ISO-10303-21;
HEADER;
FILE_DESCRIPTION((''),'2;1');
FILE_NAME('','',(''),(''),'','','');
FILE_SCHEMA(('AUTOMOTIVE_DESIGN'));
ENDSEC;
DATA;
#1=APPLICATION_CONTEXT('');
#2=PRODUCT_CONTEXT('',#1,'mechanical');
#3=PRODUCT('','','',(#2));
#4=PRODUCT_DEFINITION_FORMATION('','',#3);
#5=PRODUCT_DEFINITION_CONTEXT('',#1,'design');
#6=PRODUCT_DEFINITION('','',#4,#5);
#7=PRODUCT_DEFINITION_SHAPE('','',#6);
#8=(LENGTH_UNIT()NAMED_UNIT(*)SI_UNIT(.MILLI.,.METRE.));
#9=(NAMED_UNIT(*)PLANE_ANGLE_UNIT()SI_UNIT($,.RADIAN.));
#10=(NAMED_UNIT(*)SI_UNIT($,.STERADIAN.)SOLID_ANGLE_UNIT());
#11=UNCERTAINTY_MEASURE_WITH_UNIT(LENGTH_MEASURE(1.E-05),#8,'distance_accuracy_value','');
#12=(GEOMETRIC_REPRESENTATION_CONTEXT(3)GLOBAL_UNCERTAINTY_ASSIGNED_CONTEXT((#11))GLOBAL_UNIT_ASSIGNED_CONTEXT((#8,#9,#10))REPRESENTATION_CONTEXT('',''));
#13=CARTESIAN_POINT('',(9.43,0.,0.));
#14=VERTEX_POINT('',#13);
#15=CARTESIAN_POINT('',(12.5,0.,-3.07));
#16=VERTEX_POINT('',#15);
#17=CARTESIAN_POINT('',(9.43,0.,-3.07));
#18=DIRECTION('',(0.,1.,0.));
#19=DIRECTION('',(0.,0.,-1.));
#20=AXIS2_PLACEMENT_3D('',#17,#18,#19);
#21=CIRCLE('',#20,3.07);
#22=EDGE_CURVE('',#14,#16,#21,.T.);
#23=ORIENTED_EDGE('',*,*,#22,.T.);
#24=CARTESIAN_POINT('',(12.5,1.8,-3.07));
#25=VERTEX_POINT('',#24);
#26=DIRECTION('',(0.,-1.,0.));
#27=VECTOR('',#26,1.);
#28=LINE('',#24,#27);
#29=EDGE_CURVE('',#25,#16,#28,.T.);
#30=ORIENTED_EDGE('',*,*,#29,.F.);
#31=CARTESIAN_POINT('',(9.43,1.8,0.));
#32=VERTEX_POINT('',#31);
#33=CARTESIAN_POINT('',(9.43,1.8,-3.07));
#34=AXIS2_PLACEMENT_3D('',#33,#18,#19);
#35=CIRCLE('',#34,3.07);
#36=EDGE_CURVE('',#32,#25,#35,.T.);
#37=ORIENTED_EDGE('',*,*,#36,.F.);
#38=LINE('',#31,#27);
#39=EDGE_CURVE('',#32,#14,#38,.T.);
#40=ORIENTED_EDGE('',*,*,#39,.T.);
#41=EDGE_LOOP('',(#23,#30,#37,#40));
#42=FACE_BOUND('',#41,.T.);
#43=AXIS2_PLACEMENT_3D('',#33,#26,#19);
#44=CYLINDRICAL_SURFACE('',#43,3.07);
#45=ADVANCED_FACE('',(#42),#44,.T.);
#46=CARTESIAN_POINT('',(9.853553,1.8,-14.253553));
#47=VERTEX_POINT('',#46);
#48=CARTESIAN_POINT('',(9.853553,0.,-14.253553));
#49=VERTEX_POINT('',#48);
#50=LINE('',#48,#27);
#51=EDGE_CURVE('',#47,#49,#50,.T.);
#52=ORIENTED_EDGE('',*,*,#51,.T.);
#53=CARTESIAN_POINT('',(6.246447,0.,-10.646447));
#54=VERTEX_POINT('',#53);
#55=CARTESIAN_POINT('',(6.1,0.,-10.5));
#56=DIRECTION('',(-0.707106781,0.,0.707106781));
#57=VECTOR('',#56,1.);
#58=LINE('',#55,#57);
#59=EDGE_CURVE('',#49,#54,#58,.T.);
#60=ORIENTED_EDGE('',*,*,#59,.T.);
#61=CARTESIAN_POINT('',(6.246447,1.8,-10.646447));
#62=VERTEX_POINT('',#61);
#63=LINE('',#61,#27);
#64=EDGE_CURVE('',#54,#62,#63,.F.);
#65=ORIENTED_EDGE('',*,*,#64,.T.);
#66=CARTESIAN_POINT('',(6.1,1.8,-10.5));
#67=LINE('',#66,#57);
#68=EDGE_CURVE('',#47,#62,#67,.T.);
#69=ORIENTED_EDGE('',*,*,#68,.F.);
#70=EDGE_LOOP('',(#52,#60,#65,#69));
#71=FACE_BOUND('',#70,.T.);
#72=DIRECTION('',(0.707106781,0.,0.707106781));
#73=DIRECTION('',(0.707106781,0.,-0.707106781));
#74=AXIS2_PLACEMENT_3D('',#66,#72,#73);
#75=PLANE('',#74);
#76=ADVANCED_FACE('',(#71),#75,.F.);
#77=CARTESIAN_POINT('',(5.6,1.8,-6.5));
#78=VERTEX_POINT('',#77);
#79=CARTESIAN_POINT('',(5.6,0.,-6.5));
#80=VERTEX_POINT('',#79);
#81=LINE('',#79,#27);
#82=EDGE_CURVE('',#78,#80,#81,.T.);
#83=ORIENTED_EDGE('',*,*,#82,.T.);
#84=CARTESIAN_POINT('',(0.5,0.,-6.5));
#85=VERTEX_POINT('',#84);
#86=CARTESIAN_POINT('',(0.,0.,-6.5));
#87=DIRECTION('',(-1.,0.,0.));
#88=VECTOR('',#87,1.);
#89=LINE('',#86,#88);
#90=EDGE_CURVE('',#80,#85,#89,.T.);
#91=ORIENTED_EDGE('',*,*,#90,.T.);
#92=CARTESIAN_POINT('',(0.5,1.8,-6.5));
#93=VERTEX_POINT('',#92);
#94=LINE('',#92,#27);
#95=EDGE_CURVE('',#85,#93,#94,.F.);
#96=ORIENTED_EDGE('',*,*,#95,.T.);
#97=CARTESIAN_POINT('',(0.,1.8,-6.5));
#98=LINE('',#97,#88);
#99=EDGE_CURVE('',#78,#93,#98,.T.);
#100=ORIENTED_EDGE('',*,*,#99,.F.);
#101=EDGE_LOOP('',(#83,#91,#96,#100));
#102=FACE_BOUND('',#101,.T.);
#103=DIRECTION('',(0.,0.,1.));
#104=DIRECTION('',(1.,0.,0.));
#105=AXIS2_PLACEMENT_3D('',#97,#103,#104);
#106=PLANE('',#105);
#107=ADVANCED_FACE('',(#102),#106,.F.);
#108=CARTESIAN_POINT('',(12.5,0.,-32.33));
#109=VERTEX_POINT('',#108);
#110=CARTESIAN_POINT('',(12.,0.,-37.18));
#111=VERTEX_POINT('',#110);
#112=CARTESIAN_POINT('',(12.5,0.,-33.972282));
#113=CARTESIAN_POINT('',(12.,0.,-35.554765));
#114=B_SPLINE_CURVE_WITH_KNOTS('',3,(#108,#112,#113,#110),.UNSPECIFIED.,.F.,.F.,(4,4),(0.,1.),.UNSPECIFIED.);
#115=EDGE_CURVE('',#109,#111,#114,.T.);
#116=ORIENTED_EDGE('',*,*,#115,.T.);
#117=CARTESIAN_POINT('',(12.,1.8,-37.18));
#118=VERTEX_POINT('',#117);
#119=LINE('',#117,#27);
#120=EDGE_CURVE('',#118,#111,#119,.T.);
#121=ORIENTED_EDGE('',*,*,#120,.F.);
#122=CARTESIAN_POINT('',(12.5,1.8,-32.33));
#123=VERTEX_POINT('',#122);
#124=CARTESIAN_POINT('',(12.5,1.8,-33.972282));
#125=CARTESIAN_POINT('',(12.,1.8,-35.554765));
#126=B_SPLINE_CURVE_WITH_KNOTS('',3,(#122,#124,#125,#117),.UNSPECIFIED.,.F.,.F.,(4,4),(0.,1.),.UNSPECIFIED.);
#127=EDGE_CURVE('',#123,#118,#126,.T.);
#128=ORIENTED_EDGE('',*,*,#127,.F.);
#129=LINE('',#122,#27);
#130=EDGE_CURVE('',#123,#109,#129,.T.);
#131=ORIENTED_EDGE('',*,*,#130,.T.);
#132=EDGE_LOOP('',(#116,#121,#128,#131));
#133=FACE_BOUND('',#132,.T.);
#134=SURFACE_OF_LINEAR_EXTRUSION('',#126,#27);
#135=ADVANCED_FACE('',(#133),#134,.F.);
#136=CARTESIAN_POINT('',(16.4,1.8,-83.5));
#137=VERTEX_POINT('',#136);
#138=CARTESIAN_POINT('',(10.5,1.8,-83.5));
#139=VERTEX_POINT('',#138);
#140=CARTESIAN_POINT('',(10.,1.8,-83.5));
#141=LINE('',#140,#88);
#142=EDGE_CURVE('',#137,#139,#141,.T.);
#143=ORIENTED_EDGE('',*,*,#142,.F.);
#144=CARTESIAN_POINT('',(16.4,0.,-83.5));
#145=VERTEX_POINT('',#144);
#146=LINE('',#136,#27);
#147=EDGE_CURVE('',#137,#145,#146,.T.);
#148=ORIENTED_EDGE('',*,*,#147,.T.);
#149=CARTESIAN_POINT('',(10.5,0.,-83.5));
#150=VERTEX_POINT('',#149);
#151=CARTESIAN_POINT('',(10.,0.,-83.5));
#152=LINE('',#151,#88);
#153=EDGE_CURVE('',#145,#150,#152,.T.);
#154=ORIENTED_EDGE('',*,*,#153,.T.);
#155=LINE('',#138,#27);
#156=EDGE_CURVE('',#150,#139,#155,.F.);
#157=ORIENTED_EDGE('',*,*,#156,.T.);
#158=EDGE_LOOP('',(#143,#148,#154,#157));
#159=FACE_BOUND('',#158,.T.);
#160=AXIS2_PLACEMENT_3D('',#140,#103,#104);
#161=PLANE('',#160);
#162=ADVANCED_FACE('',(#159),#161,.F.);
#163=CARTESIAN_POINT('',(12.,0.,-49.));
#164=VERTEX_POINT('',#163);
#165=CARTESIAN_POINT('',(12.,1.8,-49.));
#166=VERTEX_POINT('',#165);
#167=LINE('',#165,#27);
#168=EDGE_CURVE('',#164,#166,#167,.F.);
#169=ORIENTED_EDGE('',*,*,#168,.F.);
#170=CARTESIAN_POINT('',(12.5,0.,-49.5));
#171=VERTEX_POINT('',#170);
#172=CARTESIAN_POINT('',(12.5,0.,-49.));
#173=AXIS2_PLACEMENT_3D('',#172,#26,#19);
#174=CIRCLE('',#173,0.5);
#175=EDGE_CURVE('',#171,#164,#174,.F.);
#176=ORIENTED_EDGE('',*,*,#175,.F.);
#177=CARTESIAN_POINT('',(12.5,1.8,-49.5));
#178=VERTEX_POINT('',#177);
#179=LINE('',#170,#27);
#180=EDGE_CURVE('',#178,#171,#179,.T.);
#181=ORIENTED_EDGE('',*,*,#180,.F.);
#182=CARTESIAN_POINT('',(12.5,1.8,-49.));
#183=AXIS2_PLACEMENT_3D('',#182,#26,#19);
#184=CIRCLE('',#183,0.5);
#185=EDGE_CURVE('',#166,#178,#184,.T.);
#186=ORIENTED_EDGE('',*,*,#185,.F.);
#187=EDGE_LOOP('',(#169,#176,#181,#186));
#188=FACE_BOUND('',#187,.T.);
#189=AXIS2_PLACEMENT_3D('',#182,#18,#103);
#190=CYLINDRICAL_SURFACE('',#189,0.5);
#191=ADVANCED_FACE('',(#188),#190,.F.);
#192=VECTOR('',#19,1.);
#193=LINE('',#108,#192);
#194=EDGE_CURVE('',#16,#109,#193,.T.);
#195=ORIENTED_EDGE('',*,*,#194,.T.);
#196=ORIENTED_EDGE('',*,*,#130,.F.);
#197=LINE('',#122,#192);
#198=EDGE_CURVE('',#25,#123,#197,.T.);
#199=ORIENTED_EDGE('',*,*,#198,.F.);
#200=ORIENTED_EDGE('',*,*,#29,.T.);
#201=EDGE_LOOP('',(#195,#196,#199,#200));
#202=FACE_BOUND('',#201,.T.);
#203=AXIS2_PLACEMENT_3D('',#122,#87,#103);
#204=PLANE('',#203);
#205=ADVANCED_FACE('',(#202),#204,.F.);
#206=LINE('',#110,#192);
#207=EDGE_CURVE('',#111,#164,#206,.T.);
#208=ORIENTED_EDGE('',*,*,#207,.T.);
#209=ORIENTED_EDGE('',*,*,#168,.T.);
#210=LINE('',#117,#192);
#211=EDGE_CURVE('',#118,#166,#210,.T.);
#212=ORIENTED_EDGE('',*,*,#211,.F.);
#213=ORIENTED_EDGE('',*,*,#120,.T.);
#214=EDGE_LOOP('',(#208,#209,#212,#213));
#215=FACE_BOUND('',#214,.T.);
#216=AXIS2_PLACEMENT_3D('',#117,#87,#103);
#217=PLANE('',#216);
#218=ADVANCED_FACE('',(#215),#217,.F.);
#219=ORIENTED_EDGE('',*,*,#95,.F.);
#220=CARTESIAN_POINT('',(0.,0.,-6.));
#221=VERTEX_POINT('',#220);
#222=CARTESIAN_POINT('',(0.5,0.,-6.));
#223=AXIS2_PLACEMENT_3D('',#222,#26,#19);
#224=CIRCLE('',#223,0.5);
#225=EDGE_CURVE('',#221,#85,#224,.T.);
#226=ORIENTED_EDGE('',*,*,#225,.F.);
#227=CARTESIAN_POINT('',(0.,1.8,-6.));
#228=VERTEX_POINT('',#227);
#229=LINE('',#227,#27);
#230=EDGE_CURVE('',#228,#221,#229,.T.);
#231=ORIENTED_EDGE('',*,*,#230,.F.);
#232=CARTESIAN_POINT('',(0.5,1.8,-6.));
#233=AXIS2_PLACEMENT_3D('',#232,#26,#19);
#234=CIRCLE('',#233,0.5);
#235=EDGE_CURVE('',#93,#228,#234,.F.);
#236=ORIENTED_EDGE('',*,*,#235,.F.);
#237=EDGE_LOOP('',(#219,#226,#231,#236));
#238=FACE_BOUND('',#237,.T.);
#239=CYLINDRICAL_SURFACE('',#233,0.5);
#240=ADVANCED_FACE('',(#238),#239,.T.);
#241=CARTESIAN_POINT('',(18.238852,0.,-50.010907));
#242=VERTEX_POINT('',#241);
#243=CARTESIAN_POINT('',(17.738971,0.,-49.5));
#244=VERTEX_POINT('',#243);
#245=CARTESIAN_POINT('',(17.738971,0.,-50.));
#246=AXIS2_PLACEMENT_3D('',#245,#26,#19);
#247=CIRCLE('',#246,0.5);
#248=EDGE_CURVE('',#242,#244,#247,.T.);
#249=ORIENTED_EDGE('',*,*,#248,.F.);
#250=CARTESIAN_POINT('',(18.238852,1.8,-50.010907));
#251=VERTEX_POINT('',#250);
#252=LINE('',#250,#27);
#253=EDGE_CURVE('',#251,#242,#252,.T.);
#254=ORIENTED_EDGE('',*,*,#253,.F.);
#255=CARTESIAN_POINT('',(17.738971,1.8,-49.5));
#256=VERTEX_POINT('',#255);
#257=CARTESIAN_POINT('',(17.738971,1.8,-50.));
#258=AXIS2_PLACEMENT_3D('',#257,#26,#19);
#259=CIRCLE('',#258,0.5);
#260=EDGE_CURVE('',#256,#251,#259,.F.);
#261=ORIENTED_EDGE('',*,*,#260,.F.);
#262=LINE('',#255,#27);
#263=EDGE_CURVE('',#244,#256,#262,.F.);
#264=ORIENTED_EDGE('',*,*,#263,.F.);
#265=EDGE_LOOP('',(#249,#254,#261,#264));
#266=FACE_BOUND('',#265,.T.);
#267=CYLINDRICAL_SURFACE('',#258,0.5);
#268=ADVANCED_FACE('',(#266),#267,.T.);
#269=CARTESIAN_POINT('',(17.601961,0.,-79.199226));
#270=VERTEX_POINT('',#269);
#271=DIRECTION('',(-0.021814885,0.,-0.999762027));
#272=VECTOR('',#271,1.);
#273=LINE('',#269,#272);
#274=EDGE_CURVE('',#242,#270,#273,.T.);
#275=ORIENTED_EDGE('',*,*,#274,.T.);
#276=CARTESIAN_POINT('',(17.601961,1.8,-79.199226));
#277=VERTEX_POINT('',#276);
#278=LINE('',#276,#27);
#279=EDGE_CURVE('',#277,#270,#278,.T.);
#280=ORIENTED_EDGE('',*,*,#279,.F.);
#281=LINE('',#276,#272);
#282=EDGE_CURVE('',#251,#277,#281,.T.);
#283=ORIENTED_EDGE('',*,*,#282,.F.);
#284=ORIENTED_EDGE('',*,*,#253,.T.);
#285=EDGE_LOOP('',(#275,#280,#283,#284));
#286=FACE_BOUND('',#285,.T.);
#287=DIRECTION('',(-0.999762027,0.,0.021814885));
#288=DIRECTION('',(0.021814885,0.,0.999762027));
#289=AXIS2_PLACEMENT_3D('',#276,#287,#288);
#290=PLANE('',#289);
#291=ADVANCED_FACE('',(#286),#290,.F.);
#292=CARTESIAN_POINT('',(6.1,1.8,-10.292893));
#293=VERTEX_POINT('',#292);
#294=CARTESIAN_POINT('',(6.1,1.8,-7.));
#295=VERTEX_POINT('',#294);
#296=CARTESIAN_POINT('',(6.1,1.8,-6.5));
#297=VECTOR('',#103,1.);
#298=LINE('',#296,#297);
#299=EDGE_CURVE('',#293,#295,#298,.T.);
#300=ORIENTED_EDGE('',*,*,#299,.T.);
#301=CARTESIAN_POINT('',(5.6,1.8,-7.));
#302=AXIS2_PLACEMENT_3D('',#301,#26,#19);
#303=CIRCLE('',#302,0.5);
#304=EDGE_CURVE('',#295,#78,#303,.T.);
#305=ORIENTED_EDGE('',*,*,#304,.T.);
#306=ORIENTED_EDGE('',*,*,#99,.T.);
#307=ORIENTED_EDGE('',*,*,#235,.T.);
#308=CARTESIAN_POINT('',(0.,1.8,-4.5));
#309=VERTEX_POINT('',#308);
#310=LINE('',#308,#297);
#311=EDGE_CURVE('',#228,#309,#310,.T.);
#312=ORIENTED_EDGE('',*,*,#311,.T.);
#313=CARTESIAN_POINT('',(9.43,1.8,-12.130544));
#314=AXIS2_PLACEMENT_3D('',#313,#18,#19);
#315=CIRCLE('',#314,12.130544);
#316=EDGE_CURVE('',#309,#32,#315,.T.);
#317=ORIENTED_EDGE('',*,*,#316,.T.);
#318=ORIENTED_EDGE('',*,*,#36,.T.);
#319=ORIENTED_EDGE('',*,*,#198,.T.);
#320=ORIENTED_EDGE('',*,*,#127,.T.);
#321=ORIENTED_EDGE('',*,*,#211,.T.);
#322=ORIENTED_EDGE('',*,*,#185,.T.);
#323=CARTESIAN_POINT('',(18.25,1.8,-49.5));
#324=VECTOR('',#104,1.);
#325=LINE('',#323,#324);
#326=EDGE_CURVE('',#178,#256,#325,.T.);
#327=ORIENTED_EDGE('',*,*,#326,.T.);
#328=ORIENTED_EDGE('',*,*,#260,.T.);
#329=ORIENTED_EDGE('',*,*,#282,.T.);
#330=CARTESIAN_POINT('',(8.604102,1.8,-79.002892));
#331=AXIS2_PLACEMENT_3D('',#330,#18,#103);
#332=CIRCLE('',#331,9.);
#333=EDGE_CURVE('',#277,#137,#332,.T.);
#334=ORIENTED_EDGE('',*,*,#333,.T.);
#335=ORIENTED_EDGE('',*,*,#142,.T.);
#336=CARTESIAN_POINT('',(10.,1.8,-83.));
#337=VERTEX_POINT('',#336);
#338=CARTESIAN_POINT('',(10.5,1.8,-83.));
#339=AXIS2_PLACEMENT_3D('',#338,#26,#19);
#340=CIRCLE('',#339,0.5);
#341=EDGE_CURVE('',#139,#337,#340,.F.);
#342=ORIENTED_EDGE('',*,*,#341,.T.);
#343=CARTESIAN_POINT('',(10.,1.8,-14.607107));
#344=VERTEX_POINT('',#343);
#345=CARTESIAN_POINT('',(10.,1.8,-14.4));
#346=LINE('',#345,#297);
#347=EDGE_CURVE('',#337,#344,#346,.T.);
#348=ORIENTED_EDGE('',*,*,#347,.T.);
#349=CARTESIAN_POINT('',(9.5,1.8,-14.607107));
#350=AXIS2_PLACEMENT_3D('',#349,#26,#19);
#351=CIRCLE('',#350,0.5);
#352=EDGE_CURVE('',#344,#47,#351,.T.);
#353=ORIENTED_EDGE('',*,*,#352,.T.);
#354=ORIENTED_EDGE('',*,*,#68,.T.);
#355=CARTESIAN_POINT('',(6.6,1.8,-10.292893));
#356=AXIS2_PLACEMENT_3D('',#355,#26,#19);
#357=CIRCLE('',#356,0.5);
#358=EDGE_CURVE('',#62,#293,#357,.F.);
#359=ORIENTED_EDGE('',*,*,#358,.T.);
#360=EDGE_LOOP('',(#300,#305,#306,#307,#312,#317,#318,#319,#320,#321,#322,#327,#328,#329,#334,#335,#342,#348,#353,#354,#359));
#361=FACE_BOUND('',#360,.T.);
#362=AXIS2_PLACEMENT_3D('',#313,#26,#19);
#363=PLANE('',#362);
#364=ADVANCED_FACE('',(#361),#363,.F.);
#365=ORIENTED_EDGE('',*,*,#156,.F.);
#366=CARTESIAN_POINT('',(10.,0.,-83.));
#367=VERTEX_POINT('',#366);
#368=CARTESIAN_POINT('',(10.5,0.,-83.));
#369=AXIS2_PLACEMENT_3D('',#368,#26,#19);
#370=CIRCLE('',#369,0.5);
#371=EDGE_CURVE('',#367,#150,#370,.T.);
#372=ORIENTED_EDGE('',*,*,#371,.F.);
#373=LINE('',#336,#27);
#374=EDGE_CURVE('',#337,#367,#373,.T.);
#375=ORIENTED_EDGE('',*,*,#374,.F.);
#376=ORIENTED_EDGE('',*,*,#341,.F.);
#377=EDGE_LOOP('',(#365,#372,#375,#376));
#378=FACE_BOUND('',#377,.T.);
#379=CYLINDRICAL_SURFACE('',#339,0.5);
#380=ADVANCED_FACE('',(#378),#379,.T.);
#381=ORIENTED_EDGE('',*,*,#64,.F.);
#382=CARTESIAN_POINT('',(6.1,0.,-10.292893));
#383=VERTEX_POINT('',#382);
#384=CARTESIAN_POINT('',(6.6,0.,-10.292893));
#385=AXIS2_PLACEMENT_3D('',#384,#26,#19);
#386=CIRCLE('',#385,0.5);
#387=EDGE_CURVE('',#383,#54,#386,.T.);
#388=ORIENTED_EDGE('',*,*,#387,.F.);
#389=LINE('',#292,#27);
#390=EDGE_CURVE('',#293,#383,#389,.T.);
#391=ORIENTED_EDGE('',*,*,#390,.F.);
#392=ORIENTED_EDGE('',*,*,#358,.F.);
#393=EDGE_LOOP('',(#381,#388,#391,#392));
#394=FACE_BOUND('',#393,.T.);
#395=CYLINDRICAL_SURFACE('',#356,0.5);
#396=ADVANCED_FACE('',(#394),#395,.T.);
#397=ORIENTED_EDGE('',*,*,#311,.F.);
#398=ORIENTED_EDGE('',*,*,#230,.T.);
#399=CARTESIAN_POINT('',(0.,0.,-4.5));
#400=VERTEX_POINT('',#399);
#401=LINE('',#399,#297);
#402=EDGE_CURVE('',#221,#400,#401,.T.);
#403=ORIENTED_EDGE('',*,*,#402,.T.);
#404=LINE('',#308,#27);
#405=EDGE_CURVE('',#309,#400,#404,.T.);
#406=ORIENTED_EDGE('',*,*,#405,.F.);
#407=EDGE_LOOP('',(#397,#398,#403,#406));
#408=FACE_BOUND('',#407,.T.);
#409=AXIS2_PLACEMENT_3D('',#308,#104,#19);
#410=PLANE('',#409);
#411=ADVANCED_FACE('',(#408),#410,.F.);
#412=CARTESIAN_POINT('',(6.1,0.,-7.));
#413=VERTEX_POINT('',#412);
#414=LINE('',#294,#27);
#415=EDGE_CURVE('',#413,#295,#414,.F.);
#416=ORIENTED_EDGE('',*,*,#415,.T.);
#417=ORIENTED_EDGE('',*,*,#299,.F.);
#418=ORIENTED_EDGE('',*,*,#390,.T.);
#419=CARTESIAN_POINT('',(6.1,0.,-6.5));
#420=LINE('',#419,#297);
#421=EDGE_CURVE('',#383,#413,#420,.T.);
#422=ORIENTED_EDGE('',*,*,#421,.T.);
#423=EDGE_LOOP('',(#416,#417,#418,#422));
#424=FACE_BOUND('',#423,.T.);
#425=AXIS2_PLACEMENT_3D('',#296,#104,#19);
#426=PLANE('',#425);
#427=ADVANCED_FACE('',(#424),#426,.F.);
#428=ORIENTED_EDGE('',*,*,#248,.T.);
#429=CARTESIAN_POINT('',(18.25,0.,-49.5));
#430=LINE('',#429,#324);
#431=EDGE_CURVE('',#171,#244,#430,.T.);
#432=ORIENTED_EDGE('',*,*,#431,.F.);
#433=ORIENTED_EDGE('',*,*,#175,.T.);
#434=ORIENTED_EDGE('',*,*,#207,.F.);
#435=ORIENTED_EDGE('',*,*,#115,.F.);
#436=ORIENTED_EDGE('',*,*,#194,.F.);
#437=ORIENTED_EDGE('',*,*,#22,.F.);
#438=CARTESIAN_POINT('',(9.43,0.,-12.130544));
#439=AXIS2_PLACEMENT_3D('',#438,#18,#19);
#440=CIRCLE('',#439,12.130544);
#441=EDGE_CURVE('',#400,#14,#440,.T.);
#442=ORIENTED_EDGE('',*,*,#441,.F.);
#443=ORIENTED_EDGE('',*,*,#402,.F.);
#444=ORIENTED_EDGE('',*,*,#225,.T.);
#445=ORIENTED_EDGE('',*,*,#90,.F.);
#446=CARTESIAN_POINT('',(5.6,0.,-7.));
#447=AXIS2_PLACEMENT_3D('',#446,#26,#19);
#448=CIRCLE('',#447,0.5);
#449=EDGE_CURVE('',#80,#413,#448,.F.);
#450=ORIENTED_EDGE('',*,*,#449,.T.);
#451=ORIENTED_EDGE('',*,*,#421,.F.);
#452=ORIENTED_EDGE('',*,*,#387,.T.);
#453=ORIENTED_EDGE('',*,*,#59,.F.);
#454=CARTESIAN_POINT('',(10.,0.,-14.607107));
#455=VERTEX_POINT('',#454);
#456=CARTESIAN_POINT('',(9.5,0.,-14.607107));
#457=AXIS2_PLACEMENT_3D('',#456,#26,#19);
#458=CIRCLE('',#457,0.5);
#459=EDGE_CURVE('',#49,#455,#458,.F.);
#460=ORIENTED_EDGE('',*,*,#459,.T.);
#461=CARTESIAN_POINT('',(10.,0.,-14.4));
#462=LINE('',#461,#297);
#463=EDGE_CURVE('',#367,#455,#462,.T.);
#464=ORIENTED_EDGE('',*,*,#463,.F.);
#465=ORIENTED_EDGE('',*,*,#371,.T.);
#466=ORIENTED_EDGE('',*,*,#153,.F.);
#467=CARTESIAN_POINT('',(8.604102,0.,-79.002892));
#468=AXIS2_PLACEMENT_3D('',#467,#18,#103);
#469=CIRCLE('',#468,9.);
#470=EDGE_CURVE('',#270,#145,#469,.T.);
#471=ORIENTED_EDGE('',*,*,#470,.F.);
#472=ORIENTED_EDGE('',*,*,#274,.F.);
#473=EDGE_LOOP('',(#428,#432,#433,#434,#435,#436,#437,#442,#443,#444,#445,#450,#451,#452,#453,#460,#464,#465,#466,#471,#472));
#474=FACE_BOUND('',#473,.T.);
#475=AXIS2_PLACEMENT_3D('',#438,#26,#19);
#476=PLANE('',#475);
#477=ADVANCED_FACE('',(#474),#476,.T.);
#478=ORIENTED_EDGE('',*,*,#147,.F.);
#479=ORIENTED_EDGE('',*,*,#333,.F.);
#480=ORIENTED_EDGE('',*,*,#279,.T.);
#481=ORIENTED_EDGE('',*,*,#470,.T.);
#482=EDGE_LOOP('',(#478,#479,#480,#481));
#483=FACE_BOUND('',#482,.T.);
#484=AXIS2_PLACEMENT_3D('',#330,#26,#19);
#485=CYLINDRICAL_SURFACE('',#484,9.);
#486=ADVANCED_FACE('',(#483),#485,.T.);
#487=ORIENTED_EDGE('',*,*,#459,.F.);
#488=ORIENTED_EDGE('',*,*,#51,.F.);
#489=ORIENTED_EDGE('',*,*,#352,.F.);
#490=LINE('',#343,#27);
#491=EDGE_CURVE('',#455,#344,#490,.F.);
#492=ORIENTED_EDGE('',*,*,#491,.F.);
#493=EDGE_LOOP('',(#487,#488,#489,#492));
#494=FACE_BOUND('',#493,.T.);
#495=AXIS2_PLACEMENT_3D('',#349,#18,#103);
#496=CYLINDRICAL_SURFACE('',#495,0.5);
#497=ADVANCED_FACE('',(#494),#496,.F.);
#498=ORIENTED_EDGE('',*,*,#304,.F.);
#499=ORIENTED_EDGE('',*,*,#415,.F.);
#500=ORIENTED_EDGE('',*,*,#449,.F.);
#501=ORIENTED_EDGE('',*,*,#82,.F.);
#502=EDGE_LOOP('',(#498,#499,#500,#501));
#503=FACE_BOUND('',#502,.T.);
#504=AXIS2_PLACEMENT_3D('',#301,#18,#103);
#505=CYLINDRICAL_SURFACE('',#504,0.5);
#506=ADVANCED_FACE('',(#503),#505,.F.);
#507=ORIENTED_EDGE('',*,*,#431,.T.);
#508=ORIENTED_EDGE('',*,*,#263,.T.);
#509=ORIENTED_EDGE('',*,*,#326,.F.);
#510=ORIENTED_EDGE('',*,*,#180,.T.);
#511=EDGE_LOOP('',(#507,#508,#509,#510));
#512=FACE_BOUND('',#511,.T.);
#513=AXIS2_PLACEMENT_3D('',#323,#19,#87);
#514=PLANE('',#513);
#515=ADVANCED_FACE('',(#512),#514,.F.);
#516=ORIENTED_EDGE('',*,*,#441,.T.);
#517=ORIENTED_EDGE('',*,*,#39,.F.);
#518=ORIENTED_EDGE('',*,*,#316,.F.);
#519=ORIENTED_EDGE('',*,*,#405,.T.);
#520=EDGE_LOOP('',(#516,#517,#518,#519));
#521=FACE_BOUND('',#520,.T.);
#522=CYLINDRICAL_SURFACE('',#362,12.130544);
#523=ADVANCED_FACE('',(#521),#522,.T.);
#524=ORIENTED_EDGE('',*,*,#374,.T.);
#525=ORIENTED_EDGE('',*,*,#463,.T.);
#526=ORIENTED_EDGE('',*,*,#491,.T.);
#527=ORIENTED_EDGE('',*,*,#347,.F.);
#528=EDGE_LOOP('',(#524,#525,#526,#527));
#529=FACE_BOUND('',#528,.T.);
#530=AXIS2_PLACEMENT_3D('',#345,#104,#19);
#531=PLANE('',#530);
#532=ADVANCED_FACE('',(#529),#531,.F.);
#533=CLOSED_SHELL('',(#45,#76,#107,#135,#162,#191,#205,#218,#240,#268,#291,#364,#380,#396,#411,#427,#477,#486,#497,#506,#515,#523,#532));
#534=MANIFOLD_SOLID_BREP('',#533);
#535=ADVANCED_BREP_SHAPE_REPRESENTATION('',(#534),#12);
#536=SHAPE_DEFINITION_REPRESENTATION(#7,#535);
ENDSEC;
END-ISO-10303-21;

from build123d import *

# Parameters (mm, degrees)
BOSS_EXTRUDE1_DEPTH = 1.8
FILLET2_R           = 0.5


with BuildPart() as part:
    # Sketch1 → Boss-Extrude1 (new body)
    with BuildSketch(Plane(origin=(0, 0, 0), x_dir=(1, 0, 0), z_dir=(0, 1, 0))):
        with BuildLine():
            Line((0, 4.5), (0, 6.5))
            Line((0, 6.5), (6.1, 6.5))
            Line((6.1, 6.5), (6.1, 10.5))
            Line((6.1, 10.5), (10, 14.4))
            Line((10, 14.4), (10, 83.5))
            Line((10, 83.5), (16.4, 83.5))
            ThreePointArc((16.4, 83.5), (17.2719581, 81.425344658), (17.601960582, 79.199226044))
            Line((17.601960582, 79.199226044), (18.25, 49.5))
            Line((18.25, 49.5), (12, 49.5))
            Line((12, 49.5), (12, 37.18))
            add(Edge.make_bspline(
                [(12.5, 32.33), (12.5, 33.972282338), (12, 35.554764974), (12, 37.18)],
                knots=[0, 0, 0, 0, 1, 1, 1, 1], degree=3))
            Line((12.5, 32.33), (12.5, 3.07))
            ThreePointArc((12.5, 3.07), (11.600817818, 0.899182182), (9.43, 0))
            ThreePointArc((9.43, 0), (4.205660329, 1.182650422), (0, 4.5))
        make_face()
    extrude(amount=BOSS_EXTRUDE1_DEPTH)

    # Fillet2
    fillet2_edges = [part.edges().sort_by_distance(p)[0] for p in [
        (0, 0.9, -6.5),
        (6.1, 0.9, -6.5),
        (6.1, 0.9, -10.5),
        (10, 0.9, -14.4),
        (10, 0.9, -83.5),
        (18.25, 0.9, -49.5),
        (12, 0.9, -49.5),
    ]]
    fillet(fillet2_edges, radius=FILLET2_R)


solid = part.part
